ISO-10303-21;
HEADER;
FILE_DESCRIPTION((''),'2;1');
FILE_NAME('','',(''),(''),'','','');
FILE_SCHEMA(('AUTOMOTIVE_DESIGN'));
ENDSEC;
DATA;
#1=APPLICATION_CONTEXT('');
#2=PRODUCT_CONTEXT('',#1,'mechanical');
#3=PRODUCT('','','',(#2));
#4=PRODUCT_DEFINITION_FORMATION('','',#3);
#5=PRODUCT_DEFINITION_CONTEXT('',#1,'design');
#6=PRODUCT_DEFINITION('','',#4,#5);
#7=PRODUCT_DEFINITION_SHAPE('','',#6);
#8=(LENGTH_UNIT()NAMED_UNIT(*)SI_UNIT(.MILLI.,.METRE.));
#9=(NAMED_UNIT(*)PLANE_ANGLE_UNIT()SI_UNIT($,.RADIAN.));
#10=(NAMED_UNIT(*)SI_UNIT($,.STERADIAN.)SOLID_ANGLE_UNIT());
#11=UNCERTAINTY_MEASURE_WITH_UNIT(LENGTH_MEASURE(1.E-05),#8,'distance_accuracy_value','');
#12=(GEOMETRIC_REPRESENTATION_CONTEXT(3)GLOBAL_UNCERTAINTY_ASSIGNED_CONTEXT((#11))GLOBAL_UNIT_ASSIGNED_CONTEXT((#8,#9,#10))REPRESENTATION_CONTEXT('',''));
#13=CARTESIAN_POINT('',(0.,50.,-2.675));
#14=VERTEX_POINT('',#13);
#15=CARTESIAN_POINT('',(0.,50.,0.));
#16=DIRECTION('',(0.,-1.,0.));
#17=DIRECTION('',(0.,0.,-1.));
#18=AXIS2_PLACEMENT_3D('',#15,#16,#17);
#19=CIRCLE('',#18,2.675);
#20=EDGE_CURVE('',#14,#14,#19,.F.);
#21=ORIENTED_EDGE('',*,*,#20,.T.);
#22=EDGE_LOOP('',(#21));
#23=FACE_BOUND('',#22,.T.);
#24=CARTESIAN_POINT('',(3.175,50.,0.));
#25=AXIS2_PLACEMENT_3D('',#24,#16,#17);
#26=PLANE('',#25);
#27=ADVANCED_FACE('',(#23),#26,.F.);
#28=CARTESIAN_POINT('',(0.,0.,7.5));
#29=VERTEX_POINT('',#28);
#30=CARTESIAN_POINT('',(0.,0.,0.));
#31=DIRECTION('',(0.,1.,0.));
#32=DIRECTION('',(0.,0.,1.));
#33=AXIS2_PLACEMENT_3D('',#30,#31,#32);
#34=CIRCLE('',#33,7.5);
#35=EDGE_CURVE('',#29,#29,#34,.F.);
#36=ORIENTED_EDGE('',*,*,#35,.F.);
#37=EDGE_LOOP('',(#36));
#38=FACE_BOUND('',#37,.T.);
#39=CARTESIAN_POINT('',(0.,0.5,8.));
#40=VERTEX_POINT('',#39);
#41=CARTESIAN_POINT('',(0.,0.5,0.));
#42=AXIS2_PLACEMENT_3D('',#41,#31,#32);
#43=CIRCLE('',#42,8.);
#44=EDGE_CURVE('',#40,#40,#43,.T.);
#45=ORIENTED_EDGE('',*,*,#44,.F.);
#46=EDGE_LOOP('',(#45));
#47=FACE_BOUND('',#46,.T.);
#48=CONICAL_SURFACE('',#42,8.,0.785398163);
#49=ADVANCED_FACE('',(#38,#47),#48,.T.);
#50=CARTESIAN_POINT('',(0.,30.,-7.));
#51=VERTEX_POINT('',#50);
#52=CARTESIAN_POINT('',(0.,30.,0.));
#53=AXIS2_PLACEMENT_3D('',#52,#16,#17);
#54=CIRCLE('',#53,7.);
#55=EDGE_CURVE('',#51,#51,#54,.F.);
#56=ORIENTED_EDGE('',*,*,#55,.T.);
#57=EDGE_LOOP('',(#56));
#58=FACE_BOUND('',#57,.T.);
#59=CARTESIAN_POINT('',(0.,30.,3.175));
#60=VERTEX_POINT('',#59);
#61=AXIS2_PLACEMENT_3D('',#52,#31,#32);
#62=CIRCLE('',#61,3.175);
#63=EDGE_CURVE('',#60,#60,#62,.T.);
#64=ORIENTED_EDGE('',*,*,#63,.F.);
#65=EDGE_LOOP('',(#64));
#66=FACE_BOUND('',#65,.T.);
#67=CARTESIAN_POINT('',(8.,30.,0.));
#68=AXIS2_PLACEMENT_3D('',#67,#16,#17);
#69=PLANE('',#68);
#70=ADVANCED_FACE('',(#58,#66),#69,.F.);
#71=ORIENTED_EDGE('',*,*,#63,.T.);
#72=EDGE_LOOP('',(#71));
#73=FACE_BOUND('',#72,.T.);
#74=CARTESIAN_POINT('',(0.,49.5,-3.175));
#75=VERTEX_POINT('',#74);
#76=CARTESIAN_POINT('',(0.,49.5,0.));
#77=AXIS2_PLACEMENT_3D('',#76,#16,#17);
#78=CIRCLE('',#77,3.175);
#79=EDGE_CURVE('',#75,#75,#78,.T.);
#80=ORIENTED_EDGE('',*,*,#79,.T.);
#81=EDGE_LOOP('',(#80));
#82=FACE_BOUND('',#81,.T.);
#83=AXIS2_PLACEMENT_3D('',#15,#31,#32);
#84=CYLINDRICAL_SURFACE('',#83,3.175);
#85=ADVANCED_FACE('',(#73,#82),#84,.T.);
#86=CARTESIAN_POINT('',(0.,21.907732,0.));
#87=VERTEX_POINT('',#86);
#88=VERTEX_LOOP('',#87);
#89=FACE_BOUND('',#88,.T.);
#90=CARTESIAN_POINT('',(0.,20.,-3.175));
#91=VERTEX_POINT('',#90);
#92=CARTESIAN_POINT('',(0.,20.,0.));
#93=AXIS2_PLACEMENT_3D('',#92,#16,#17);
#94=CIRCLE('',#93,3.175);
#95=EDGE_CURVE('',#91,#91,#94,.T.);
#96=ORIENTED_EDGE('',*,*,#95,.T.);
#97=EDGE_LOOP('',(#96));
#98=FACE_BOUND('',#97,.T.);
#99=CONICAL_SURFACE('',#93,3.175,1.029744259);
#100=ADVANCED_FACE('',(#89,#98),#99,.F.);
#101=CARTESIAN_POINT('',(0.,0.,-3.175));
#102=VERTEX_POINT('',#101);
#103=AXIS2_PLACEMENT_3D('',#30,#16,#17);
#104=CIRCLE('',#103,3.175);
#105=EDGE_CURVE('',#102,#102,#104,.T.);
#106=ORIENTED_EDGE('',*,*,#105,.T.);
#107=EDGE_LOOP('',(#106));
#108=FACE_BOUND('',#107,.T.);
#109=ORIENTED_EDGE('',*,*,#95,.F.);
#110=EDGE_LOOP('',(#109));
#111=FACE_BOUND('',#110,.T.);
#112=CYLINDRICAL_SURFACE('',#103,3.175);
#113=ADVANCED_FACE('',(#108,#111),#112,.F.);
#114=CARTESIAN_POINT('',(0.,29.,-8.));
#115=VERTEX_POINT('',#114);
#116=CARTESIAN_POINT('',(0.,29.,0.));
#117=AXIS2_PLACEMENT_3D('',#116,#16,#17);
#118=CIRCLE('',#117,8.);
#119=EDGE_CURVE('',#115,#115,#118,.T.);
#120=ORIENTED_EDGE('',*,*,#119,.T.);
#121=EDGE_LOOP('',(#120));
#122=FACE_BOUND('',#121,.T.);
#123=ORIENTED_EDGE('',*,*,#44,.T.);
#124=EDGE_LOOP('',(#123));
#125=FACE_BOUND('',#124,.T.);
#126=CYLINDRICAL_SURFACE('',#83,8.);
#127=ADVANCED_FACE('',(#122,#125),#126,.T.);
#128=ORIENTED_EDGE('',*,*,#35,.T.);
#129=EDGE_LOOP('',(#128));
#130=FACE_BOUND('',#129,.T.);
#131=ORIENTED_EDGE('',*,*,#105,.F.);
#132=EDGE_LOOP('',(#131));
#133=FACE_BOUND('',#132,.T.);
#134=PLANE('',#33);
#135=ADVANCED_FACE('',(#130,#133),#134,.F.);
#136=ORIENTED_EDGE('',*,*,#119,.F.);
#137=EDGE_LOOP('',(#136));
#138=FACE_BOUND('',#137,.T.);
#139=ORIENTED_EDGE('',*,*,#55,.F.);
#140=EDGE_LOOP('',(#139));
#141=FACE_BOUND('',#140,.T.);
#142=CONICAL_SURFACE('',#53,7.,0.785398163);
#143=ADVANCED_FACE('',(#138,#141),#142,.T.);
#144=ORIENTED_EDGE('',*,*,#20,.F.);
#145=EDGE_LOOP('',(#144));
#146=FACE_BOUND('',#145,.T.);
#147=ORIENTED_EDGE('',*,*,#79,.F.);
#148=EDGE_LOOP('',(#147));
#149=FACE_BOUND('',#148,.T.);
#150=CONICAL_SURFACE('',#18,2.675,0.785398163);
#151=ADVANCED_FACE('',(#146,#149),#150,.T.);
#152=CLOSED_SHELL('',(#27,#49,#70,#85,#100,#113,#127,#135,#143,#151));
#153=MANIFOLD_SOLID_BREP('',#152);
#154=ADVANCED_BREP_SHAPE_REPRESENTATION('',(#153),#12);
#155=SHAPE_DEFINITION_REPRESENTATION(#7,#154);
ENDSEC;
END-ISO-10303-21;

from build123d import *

# Parameters (mm, degrees)
CHANFREIN1_SIZE                     = 1
CHANFREIN2_SIZE                     = 0.5
DIAM_TRE_DU_PER_AGE_6_3_6_3_1_D     = 6.35
DIAM_TRE_DU_PER_AGE_6_3_6_3_1_DEPTH = 20
DIAM_TRE_DU_PER_AGE_6_3_6_3_1_TIP   = 1.907732465


with BuildPart() as part:
    # Esquisse1 → Révolution1 (revolve)
    with BuildSketch(Plane.XY):
        Polygon((0, 0), (8, 0), (8, 30), (3.175, 30), (3.175, 50), (0, 50), align=None)
    revolve(axis=Axis((0, 50, 0), (0, -1, 0)))

    # Chanfrein1
    chanfrein1_edges = [part.edges().sort_by_distance(p)[0] for p in [
        (-8, 30, 0),
    ]]
    chamfer(chanfrein1_edges, length=CHANFREIN1_SIZE)

    # Chanfrein2
    chanfrein2_edges = [part.edges().sort_by_distance(p)[0] for p in [
        (-8, 0, 0),
        (-3.175, 50, 0),
    ]]
    chamfer(chanfrein2_edges, length=CHANFREIN2_SIZE)

    # Diamètre du perçage Ø6.3 (6.3)1
    with Locations(Plane(origin=(0, 0, 0), x_dir=(-1, 0, 0), z_dir=(0, -1, 0))):
        with Locations((0, 0)):
            Hole(DIAM_TRE_DU_PER_AGE_6_3_6_3_1_D / 2, depth=DIAM_TRE_DU_PER_AGE_6_3_6_3_1_DEPTH)
            with Locations((0, 0, -(DIAM_TRE_DU_PER_AGE_6_3_6_3_1_DEPTH + DIAM_TRE_DU_PER_AGE_6_3_6_3_1_TIP / 2))):  # 118° drill point
                Cone(0, DIAM_TRE_DU_PER_AGE_6_3_6_3_1_D / 2, DIAM_TRE_DU_PER_AGE_6_3_6_3_1_TIP, mode=Mode.SUBTRACT)


solid = part.part
